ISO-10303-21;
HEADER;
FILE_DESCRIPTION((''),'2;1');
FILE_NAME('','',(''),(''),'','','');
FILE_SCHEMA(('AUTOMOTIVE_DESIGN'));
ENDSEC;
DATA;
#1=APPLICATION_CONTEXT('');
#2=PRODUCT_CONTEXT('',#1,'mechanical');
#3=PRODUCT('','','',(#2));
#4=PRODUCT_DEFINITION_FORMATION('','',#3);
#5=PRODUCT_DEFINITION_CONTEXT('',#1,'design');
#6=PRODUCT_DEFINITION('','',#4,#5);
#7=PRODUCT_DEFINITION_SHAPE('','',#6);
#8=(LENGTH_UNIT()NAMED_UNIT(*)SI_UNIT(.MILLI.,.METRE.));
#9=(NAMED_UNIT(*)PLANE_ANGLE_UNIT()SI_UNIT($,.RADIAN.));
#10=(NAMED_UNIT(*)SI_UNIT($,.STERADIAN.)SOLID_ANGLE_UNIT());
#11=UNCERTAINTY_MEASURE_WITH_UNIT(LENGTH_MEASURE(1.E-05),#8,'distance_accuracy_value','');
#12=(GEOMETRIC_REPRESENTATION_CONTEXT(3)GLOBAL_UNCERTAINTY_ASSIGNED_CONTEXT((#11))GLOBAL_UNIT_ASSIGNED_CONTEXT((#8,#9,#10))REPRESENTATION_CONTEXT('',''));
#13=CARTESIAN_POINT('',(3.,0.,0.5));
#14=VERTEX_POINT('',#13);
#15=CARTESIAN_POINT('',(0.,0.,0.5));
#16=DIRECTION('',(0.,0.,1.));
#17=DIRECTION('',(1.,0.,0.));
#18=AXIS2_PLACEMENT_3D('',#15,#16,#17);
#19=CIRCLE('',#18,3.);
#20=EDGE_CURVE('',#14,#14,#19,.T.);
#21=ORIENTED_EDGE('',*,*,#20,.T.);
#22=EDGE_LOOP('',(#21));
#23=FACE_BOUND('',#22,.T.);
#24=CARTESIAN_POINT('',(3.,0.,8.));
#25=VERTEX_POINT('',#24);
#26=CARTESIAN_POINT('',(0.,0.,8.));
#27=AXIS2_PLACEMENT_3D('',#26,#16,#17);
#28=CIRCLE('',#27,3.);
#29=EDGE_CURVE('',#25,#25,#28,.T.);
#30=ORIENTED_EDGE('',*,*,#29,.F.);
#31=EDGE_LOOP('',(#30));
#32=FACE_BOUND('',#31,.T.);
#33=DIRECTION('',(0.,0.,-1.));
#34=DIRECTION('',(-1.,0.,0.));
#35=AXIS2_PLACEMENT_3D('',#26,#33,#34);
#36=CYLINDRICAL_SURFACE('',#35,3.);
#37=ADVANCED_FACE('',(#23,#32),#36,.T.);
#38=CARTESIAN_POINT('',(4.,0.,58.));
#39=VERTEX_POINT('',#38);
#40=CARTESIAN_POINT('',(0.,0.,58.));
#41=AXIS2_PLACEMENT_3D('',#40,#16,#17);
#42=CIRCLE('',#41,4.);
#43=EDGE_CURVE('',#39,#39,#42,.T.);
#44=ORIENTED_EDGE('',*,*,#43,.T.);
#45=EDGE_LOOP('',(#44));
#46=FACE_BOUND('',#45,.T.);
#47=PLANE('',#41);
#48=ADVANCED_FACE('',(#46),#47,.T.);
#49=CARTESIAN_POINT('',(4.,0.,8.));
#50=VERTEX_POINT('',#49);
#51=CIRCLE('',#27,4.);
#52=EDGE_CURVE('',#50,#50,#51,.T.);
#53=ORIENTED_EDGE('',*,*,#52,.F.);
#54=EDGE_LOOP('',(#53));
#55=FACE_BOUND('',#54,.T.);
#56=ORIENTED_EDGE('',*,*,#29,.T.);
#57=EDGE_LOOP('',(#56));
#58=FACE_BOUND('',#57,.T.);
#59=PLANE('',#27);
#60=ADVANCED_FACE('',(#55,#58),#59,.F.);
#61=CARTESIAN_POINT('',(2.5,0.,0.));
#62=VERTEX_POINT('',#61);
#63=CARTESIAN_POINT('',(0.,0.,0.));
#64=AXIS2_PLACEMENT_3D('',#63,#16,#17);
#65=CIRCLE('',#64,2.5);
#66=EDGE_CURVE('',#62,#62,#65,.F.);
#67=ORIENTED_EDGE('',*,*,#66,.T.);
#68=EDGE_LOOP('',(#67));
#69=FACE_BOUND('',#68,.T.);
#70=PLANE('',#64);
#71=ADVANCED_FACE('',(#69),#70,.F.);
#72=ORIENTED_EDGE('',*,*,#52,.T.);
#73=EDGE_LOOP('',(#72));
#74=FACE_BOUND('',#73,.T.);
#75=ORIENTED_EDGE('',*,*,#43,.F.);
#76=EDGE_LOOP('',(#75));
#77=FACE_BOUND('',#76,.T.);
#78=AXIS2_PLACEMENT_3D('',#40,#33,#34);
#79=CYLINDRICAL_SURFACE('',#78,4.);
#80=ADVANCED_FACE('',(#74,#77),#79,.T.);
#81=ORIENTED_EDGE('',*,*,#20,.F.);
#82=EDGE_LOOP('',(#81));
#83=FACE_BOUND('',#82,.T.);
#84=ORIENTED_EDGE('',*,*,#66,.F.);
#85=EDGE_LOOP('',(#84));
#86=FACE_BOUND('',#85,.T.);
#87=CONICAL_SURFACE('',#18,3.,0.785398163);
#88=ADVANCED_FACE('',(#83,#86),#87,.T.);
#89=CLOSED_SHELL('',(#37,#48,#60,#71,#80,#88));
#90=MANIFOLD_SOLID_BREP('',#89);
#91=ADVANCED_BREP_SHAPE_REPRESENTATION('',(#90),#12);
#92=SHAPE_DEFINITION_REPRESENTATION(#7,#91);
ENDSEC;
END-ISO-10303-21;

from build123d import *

# Parameters (mm, degrees)
ESQUISSE1_R        = 3
BOSS_EXTRU_1_DEPTH = 8
CHANFREIN1_SIZE    = 0.5
ESQUISSE2_R        = 4
BOSS_EXTRU_2_DEPTH = 50


with BuildPart() as part:
    # Esquisse1 → Boss.-Extru.1 (new body)
    with BuildSketch(Plane.XY):
        Circle(ESQUISSE1_R)
    extrude(amount=BOSS_EXTRU_1_DEPTH)

    # Chanfrein1
    chanfrein1_edges = [part.edges().sort_by_distance(p)[0] for p in [
        (-3, 0, 0),
    ]]
    chamfer(chanfrein1_edges, length=CHANFREIN1_SIZE)

    # Esquisse2 → Boss.-Extru.2 (add)
    with BuildSketch(Plane.XY.offset(8)):
        Circle(ESQUISSE2_R)
    extrude(amount=BOSS_EXTRU_2_DEPTH)


solid = part.part
